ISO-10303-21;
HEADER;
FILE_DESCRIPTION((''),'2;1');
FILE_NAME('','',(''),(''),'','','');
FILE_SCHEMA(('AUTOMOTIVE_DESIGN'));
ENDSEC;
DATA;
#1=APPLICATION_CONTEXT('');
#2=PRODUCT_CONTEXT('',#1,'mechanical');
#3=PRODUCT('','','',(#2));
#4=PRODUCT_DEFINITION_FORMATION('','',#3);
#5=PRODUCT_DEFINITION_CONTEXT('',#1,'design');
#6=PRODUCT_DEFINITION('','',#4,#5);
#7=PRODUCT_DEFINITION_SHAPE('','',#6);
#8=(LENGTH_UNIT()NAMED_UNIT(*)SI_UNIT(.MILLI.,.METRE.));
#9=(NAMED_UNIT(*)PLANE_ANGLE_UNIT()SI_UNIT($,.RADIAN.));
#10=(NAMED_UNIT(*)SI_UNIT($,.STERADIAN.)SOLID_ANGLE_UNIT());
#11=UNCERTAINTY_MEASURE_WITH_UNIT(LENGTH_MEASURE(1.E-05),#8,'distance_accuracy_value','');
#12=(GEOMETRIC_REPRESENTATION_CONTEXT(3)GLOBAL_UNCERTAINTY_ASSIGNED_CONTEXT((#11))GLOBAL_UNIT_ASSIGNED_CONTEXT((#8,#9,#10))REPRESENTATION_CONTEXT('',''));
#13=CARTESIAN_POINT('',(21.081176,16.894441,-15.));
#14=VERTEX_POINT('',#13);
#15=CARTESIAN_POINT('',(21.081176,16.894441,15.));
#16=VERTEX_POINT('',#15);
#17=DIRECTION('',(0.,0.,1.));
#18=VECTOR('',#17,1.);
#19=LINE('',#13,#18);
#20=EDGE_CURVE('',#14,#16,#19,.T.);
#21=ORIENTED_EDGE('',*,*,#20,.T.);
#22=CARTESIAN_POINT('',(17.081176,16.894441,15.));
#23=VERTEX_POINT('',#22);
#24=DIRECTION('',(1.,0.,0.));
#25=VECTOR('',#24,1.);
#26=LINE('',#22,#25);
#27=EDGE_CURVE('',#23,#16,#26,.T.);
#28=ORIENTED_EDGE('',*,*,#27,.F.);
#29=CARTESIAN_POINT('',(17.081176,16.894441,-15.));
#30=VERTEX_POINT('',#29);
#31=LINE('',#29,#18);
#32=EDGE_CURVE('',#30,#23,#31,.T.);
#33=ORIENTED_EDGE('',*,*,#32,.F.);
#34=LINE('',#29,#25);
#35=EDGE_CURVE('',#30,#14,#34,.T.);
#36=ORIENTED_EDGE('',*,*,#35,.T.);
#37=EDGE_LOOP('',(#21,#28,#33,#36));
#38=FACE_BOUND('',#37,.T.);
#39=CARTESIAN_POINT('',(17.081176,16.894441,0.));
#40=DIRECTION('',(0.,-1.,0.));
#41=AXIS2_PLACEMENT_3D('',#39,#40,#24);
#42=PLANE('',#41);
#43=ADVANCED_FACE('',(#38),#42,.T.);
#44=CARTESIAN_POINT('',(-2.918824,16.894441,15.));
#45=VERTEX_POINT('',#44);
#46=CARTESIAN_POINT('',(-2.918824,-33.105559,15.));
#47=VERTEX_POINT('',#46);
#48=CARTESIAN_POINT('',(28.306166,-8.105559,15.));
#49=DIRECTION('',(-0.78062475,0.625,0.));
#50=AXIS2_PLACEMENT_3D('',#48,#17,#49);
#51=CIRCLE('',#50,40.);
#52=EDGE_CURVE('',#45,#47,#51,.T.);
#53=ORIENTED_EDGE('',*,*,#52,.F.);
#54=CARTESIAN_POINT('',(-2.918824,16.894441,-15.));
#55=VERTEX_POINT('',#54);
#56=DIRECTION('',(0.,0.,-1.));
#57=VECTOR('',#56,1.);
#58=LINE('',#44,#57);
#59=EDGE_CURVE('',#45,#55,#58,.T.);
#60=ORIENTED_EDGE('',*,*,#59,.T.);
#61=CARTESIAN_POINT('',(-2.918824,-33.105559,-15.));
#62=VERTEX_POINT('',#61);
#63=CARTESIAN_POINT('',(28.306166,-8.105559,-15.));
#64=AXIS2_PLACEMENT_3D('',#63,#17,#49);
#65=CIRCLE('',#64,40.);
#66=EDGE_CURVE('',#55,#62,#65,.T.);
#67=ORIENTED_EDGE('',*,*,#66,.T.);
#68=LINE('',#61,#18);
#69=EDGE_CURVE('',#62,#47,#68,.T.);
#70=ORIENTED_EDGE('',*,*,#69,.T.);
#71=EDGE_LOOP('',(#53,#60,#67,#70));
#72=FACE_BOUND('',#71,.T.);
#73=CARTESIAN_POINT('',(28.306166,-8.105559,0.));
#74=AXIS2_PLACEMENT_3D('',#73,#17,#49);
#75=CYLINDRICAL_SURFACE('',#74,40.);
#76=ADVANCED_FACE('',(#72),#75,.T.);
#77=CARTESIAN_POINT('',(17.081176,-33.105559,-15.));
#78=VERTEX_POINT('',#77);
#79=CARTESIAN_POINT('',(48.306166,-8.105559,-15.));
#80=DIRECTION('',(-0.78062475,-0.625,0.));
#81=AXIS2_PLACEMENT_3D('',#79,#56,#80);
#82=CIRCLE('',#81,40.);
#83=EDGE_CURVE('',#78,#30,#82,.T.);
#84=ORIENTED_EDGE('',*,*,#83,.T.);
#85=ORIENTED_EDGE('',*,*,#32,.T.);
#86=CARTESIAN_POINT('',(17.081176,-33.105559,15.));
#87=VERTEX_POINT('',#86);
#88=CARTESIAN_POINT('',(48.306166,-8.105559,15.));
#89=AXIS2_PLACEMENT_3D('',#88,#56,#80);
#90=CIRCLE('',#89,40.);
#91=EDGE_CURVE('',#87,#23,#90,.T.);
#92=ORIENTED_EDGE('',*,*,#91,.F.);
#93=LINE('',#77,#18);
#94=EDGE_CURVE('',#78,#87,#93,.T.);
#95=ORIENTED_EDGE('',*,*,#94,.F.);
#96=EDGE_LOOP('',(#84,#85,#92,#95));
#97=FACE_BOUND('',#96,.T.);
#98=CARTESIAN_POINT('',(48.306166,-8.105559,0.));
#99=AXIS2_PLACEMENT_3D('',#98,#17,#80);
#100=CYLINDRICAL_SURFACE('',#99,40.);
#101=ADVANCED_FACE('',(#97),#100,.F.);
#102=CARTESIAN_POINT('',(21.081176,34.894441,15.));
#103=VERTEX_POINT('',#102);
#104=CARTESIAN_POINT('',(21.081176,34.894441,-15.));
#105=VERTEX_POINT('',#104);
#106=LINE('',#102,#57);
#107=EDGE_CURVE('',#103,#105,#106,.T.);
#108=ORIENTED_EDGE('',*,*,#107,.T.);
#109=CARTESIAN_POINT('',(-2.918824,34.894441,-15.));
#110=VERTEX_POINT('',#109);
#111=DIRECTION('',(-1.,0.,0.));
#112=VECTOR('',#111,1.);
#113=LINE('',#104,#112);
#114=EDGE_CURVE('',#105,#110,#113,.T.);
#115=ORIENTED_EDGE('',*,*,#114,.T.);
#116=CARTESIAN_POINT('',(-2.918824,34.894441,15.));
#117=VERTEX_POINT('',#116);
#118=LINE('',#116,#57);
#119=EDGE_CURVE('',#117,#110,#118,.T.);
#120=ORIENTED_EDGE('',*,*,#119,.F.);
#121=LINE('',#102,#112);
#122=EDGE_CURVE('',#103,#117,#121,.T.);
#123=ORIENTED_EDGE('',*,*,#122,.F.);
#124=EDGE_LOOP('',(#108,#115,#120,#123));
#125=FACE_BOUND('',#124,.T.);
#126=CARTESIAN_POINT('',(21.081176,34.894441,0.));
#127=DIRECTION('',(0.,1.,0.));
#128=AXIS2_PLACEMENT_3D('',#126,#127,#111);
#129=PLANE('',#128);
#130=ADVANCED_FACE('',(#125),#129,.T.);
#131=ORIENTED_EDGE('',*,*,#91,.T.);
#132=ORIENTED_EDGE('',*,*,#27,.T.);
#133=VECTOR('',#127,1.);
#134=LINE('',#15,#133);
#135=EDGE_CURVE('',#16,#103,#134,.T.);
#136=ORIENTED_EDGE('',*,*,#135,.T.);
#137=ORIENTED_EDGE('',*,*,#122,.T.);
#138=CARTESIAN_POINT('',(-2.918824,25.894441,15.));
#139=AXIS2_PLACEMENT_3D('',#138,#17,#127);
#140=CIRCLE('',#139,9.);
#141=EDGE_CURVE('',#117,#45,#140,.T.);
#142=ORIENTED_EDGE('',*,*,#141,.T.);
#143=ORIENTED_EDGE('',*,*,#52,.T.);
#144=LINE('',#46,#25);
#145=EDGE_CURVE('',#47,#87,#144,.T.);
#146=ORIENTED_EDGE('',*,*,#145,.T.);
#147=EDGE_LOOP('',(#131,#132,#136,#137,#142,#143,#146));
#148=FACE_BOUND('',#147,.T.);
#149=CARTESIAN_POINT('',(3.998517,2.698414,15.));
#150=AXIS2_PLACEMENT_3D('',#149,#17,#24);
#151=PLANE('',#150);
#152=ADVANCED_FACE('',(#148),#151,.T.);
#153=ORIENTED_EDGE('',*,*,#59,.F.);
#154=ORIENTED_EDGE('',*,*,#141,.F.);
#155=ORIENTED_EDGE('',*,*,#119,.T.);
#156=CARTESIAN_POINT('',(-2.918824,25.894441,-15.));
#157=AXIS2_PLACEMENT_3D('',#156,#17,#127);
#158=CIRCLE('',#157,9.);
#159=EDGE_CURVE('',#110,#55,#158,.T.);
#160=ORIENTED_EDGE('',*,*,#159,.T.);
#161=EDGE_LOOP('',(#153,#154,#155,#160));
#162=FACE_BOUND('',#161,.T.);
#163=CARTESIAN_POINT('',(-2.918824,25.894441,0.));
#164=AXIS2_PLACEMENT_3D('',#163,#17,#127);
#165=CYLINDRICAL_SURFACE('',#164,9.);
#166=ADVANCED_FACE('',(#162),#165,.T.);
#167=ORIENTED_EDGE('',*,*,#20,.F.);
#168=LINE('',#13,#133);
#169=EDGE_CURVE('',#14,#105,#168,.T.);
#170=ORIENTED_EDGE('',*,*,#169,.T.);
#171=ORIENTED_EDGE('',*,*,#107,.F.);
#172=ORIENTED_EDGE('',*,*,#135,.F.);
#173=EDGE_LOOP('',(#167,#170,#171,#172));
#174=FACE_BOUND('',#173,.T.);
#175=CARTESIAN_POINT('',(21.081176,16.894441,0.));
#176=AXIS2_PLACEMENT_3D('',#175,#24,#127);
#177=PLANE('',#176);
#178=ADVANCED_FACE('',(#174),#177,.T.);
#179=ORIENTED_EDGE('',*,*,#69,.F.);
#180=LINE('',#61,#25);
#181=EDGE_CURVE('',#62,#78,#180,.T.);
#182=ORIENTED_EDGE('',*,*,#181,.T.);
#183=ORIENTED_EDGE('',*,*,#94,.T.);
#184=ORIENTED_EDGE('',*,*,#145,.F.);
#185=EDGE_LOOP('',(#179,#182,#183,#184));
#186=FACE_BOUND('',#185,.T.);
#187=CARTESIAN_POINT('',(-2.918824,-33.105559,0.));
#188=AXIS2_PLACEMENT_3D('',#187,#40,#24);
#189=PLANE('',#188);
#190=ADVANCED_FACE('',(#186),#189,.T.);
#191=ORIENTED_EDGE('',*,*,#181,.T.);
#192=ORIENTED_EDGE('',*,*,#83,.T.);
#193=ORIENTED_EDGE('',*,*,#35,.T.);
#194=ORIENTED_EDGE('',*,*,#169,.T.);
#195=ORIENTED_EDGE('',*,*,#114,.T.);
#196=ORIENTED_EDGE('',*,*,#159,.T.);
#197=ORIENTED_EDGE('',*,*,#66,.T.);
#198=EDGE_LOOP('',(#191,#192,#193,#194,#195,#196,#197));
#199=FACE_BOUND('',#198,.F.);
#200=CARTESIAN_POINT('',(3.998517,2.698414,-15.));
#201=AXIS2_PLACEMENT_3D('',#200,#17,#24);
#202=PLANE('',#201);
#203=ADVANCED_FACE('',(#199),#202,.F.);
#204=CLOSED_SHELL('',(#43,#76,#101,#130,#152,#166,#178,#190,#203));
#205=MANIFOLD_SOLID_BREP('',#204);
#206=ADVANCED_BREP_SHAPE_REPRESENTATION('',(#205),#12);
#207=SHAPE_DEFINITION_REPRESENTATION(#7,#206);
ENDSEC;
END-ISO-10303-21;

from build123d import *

# Parameters (mm, degrees)
F1_DEPTH = 15


with BuildPart() as f1:
    # F0 (on Top) → F1 (new body, symmetric)
    with BuildSketch(Plane.XY):
        with BuildLine():
            ThreePointArc((-2.918824, 16.894441), (-11.693834, -8.105559), (-2.918824, -33.105559))
            Line((-2.918824, -33.105559), (17.081176, -33.105559))
            ThreePointArc((17.081176, -33.105559), (8.306166, -8.105559), (17.081176, 16.894441))
            Line((17.081176, 16.894441), (21.081176, 16.894441))
            Line((21.081176, 16.894441), (21.081176, 34.894441))
            Line((21.081176, 34.894441), (-2.918824, 34.894441))
            ThreePointArc((-2.918824, 34.894441), (-11.918824, 25.894441), (-2.918824, 16.894441))
        make_face()
    extrude(amount=F1_DEPTH, both=True)


solid = f1.part
